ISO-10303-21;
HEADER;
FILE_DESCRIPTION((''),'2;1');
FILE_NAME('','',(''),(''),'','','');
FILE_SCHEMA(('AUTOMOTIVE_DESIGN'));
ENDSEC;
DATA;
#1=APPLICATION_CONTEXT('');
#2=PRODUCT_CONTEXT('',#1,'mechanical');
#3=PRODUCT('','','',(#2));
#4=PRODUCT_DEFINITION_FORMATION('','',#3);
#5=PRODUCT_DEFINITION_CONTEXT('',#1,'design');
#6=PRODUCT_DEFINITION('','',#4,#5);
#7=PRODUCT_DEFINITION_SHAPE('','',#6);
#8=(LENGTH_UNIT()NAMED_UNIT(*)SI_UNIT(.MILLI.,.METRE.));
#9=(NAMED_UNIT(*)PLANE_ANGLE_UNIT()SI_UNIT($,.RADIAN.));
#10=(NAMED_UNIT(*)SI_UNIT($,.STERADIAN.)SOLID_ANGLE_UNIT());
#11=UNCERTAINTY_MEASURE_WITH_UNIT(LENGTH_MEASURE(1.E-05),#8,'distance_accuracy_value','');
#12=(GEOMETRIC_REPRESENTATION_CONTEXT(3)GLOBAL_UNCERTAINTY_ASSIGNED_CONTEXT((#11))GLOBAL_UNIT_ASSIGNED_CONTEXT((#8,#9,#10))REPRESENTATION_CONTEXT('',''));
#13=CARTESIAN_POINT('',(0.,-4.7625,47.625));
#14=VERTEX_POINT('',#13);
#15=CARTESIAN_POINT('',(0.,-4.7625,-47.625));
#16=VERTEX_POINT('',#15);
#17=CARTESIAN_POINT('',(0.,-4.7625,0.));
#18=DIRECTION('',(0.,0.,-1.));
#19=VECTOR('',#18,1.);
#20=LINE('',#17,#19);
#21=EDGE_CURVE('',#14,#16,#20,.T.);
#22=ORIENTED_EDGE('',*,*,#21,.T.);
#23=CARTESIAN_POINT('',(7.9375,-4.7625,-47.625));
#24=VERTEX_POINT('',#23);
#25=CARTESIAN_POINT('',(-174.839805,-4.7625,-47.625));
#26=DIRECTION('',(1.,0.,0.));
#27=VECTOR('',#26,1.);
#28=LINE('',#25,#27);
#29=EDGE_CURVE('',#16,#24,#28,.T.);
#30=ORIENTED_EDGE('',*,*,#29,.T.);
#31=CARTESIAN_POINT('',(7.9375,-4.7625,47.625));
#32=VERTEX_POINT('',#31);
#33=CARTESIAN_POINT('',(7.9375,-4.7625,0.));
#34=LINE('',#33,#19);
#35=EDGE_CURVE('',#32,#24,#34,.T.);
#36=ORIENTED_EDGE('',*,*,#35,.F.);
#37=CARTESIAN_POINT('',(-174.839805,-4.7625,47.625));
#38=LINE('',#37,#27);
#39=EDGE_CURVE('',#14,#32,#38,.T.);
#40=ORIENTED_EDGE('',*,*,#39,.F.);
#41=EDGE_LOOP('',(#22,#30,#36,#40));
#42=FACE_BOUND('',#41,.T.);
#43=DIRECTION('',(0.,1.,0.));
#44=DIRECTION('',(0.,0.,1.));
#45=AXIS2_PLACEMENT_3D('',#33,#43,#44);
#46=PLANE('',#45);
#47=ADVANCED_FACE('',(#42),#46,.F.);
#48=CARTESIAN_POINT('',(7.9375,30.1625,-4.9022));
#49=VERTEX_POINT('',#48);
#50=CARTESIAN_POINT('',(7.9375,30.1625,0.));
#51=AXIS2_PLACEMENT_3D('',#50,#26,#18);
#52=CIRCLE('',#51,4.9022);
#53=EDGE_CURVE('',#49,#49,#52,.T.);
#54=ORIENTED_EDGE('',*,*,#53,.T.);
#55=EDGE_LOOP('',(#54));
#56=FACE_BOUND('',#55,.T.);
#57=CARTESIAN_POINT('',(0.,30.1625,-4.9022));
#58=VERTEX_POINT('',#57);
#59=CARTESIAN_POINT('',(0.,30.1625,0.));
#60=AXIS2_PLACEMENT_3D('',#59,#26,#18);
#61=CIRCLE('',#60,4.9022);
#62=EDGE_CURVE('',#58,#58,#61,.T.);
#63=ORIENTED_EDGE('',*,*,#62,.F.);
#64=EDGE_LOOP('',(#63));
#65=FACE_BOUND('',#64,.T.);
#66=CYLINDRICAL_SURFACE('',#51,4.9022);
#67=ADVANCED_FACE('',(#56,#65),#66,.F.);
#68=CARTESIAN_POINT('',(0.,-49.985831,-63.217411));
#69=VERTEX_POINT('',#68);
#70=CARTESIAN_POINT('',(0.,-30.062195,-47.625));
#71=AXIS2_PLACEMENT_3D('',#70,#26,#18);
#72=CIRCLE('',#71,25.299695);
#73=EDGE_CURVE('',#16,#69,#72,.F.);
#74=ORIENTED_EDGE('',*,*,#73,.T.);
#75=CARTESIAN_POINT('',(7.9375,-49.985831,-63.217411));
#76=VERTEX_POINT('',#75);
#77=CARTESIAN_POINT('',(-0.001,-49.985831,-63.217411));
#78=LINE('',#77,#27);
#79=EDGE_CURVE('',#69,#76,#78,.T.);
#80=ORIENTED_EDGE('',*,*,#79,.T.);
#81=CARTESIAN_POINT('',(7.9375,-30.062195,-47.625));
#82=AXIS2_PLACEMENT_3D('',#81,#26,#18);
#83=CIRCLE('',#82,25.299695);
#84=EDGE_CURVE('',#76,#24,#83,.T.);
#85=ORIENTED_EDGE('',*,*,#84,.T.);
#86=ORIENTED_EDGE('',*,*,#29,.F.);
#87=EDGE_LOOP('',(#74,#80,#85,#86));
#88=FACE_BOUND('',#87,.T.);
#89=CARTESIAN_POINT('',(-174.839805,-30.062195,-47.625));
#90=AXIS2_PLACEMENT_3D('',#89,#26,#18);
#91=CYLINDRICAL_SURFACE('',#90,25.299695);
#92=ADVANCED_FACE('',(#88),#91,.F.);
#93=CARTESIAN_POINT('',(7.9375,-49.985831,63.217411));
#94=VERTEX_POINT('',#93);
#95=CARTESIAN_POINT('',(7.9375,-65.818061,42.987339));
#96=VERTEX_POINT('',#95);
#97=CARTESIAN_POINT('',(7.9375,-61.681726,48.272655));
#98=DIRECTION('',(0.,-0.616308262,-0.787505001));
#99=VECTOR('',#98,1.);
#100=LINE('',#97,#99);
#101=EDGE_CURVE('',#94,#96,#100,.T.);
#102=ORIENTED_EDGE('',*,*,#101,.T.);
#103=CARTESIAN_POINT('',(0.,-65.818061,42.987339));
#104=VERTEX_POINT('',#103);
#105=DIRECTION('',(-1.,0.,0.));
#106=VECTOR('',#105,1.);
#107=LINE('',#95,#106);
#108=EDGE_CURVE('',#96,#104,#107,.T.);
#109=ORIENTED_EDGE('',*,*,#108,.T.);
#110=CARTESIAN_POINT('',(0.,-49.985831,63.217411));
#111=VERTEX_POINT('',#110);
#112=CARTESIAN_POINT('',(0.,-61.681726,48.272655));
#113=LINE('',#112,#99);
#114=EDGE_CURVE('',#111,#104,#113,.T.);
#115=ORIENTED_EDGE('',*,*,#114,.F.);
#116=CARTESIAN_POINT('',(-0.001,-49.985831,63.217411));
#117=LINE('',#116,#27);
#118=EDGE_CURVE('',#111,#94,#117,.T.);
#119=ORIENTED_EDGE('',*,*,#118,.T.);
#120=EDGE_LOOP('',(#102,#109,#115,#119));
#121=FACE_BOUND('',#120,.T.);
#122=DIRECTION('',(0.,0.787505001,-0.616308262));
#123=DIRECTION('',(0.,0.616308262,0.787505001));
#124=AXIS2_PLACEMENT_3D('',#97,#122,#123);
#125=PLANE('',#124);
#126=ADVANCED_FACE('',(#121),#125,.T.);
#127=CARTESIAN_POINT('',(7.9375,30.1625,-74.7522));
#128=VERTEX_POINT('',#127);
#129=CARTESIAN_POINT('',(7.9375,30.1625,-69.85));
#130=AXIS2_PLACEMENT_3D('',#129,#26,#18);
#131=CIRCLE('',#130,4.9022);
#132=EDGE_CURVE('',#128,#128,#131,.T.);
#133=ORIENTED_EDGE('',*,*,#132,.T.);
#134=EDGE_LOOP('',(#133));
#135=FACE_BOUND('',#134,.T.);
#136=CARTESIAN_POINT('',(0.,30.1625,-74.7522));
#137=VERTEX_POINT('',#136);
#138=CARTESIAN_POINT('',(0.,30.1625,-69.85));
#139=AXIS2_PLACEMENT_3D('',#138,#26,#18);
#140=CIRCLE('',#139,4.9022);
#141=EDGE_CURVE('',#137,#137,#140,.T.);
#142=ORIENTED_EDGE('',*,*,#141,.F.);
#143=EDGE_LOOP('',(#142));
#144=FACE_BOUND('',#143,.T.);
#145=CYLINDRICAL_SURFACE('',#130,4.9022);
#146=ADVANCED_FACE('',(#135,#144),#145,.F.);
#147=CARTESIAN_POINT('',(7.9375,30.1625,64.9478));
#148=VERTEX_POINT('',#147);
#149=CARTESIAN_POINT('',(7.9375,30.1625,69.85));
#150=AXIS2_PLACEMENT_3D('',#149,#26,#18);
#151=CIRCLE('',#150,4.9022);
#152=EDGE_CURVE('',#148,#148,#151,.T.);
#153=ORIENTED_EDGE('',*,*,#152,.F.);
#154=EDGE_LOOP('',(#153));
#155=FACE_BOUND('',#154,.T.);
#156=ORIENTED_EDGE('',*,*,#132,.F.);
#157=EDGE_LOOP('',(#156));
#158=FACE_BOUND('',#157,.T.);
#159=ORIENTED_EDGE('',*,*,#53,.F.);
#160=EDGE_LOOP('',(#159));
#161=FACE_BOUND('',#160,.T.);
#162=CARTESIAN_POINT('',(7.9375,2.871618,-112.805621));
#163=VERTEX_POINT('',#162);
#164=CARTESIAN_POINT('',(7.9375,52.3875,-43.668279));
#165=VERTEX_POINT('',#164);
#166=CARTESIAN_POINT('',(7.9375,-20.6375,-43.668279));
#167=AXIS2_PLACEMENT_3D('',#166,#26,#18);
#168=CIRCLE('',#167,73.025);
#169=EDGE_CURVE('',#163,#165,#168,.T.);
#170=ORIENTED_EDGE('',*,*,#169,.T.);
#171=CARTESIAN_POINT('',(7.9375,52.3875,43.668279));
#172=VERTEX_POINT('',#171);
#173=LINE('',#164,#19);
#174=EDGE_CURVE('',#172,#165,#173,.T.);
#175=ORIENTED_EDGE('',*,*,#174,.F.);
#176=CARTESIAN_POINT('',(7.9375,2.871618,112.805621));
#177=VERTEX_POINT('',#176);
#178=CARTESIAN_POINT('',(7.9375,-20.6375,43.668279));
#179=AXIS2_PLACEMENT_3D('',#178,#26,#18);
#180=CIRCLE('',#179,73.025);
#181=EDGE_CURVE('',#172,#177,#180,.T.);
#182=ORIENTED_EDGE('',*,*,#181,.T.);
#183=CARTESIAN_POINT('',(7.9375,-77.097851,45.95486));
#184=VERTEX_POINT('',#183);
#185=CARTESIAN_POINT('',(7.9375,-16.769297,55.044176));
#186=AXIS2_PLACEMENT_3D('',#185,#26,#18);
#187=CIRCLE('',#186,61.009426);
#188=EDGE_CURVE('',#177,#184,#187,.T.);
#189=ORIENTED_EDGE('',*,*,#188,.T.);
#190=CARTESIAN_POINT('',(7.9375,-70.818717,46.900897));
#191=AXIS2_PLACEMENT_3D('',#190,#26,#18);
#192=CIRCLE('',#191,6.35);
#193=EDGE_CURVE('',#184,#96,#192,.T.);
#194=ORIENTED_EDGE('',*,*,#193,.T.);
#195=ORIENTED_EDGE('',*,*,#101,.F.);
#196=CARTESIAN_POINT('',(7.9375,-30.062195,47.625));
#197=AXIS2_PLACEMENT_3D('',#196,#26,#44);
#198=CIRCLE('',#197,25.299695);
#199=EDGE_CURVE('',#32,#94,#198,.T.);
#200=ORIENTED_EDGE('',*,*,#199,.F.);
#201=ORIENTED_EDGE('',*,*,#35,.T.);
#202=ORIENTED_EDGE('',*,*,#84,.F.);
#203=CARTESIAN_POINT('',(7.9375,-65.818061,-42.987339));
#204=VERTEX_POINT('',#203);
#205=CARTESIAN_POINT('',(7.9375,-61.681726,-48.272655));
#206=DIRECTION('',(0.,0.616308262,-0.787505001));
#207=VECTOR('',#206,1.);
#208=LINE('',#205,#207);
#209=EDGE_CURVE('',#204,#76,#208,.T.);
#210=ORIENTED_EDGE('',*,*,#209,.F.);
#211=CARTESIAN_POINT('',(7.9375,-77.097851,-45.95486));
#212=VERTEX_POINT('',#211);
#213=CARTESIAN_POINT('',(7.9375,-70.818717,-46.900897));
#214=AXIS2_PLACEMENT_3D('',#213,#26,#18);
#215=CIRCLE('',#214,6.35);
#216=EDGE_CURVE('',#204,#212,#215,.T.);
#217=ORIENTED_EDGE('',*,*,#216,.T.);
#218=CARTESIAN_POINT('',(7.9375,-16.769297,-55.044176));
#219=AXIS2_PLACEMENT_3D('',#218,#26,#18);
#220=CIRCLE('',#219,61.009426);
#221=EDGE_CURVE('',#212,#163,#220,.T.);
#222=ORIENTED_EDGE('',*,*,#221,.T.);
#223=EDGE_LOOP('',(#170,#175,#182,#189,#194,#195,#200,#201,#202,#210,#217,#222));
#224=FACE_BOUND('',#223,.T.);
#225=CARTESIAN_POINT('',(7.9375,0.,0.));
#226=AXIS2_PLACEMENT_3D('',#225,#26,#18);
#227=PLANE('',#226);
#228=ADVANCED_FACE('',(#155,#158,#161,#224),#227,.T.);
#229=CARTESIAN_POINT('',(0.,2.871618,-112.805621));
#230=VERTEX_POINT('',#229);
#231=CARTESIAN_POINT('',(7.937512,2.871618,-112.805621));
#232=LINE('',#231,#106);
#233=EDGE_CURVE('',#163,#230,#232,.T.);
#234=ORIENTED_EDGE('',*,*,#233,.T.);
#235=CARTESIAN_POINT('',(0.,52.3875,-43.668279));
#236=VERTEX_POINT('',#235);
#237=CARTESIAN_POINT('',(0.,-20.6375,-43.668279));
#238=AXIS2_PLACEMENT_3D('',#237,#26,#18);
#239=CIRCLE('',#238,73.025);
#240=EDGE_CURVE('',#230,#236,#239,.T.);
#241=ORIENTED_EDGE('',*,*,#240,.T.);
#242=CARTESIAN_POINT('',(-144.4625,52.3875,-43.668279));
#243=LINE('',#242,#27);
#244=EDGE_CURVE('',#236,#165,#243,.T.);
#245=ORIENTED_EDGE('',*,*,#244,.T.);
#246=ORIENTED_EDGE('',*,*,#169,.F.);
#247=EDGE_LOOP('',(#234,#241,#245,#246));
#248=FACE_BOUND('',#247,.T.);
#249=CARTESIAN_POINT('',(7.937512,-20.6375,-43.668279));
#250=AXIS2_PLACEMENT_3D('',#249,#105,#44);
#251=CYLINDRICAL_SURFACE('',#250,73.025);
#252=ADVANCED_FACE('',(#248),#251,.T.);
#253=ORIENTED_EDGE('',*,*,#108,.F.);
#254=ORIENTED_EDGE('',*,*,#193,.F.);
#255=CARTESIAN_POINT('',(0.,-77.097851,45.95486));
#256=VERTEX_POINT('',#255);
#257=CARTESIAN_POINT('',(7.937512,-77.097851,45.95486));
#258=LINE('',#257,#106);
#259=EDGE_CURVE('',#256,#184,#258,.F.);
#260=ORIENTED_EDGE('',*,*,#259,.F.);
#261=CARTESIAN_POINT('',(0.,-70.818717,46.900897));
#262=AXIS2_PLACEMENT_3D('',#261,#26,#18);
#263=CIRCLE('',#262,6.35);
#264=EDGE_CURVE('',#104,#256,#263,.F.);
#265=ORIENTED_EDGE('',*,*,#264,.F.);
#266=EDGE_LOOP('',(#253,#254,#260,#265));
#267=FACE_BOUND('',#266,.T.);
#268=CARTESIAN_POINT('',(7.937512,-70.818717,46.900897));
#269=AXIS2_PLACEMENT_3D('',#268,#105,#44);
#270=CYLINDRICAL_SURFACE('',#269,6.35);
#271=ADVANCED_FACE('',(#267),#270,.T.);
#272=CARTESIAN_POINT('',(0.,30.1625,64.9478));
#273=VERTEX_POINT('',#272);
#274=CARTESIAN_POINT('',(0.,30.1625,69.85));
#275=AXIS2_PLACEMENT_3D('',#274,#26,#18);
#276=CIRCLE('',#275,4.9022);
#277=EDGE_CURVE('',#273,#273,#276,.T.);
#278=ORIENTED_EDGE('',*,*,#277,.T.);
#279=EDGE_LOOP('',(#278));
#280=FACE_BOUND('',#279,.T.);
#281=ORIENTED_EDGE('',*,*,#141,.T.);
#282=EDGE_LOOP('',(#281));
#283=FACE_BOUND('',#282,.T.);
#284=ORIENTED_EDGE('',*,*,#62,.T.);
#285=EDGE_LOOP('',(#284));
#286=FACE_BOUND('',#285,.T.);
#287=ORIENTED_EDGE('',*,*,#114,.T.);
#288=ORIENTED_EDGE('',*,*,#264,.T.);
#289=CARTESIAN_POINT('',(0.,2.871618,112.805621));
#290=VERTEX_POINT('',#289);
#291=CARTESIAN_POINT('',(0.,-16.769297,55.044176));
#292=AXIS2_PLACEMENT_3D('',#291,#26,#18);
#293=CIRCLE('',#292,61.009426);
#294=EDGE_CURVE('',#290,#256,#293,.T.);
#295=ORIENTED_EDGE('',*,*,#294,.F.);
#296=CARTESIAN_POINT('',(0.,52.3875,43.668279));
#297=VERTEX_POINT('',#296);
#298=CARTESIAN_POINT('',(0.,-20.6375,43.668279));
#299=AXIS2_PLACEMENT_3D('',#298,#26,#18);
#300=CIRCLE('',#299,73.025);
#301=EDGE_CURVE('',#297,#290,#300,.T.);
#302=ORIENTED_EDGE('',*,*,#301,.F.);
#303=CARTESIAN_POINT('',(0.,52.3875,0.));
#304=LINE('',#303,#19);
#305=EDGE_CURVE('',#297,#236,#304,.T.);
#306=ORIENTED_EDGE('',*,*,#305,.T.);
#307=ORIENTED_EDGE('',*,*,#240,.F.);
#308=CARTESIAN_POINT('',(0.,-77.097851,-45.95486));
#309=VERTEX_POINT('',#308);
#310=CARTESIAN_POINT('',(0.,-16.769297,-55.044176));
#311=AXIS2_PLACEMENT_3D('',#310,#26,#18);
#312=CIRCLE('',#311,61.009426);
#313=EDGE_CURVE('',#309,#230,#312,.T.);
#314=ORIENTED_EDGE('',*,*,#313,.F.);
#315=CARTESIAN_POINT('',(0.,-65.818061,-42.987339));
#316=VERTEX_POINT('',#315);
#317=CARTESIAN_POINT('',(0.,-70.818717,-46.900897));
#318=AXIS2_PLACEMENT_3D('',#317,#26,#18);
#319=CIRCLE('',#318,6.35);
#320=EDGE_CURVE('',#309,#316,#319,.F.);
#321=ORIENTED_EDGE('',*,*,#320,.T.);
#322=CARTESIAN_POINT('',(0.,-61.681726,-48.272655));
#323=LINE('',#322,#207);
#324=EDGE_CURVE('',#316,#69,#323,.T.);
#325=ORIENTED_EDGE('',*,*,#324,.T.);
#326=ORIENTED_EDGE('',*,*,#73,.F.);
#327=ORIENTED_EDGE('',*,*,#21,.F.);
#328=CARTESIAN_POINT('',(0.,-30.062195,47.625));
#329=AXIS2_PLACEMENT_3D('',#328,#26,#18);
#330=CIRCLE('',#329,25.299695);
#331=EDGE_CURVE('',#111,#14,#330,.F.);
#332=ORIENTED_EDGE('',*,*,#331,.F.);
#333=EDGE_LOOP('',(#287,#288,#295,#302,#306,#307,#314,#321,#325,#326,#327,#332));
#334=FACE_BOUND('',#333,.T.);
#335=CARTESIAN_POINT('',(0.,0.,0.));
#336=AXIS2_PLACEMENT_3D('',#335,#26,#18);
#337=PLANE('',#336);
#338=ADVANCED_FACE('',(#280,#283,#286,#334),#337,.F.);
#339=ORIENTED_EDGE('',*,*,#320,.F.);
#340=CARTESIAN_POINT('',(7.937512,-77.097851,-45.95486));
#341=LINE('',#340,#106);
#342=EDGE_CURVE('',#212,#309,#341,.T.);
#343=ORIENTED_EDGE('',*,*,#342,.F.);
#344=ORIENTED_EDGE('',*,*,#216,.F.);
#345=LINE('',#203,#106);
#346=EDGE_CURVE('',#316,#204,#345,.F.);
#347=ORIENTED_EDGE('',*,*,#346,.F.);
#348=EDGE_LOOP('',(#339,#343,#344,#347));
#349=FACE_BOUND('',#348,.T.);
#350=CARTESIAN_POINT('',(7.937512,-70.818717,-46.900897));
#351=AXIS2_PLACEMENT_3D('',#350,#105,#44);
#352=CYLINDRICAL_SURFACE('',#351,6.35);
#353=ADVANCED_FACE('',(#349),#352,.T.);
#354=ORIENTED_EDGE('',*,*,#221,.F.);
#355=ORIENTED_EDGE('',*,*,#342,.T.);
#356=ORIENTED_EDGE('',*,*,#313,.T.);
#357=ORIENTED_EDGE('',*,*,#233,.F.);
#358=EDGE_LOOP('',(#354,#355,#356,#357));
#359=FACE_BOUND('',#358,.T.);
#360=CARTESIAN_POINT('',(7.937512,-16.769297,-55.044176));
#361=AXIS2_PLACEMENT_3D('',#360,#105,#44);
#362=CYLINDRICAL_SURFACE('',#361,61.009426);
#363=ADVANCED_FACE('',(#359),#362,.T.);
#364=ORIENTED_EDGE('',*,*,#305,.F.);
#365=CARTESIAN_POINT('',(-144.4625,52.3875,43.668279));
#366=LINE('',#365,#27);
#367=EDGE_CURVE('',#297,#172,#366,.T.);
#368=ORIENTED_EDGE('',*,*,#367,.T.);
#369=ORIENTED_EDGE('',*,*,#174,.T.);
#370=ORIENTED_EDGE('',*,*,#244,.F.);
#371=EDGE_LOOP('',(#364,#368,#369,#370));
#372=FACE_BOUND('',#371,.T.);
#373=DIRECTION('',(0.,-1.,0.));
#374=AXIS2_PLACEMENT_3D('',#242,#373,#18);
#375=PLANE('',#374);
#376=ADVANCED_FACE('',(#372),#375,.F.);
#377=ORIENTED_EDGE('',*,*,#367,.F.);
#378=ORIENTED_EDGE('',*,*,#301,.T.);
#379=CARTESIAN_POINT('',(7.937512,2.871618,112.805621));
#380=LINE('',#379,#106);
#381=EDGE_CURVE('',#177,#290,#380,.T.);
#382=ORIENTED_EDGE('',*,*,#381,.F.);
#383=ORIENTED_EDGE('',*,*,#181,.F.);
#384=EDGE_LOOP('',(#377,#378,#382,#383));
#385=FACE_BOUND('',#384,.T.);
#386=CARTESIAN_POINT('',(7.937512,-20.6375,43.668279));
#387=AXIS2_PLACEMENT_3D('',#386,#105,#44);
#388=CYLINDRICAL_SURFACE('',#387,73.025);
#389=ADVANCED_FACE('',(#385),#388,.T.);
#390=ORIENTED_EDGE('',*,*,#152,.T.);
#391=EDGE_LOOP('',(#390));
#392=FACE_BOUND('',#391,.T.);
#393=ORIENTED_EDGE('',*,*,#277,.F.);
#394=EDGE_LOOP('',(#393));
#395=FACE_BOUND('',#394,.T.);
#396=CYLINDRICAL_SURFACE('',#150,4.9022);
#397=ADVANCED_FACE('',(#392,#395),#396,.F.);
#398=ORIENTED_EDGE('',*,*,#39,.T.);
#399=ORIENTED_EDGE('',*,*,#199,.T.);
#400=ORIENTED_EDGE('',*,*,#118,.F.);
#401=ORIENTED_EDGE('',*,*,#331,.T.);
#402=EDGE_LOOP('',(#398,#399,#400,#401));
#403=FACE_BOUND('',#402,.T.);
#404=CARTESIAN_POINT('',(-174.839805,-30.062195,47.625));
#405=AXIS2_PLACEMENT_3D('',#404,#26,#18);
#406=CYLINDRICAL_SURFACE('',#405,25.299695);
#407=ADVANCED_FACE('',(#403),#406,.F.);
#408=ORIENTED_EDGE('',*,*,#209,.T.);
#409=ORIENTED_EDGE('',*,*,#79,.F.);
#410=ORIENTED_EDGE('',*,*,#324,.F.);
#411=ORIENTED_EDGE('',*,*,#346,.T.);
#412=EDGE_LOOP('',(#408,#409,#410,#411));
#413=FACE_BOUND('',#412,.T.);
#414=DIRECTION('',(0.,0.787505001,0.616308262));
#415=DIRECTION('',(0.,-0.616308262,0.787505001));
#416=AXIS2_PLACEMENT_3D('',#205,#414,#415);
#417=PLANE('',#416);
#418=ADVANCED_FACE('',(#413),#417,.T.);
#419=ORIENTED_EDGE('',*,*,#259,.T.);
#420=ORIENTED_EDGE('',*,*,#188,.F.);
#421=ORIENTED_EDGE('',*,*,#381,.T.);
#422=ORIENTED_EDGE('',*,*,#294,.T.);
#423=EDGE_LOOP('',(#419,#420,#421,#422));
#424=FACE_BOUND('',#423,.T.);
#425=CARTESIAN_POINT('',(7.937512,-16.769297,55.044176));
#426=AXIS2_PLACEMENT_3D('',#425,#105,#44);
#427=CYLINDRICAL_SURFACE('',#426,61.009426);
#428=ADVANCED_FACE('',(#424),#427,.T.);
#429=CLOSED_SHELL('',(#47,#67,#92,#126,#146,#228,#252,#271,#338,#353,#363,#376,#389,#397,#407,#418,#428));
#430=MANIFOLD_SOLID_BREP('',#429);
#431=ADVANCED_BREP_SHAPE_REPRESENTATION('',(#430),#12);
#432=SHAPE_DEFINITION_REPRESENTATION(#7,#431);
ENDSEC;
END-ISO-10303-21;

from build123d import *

# Parameters (mm, degrees)
BOSS_EXTRUDE1_DEPTH          = 7.9375
FILLET1_R                    = 25.4
FILLET2_R                    = 16.51
F_3_8_CLEARANCE_HOLE1_D      = 9.8044
EXTRUDE_THIN1_DEPTH          = 7.9375
CUT_EXTRUDE_THIN2_START      = -7.9375
CUT_EXTRUDE_THIN2_DEPTH      = 7.9375
CUT_EXTRUDE_THIN1_DEPTH      = 171.11453265
CUT_EXTRUDE_THIN1_DEPTH_BACK = 152.4
FILLET4_R                    = 6.35


with BuildPart() as part:
    # Sketch1 → Boss-Extrude1 (new body)
    with BuildSketch(Plane(origin=(0, 0, 0), x_dir=(0, 0, -1), z_dir=(1, 0, 0))):
        with BuildLine():
            Line((34.925, -84.1375), (63.5, -84.1375))
            ThreePointArc((63.5, -84.1375), (147.6375, 0), (63.5, 84.1375))
            Line((63.5, 84.1375), (-63.5, 84.1375))
            ThreePointArc((-63.5, 84.1375), (-147.6375, 0), (-63.5, -84.1375))
            Line((-63.5, -84.1375), (-34.925, -84.1375))
            Line((-34.925, -84.1375), (-31.75, -74.6125))
            Line((-31.75, -74.6125), (-68.2625, -46.0375))
            Line((-68.2625, -46.0375), (-68.2625, -4.7625))
            Line((-68.2625, -4.7625), (68.2625, -4.7625))
            Line((68.2625, -4.7625), (68.2625, -46.0375))
            Line((68.2625, -46.0375), (31.75, -74.6125))
            Line((31.75, -74.6125), (34.925, -84.1375))
        make_face()
    extrude(amount=BOSS_EXTRUDE1_DEPTH)

    # Fillet1
    fillet1_edges = [part.edges().sort_by_distance(p)[0] for p in [
        (3.96875, -46.0375, -68.2625),
        (3.96875, -46.0375, 68.2625),
    ]]
    fillet(fillet1_edges, radius=FILLET1_R)

    # Fillet2
    fillet2_edges = [part.edges().sort_by_distance(p)[0] for p in [
        (3.96875, -4.7625, -68.2625),
        (3.96875, -4.7625, 68.2625),
    ]]
    fillet(fillet2_edges, radius=FILLET2_R)

    # 3/8 Clearance Hole1 (through all)
    with Locations(Plane(origin=(7.9375, 30.1625, 69.85), x_dir=(0, 0, 1), z_dir=(1, 0, 0))):
        with Locations((0, 0), (-69.85, 0), (-139.7, 0)):
            Hole(F_3_8_CLEARANCE_HOLE1_D / 2)

    # Sketch9 → Extrude-Thin1 (add)
    with BuildSketch(Plane(origin=(7.9375, 0, 0), x_dir=(0, 0, -1), z_dir=(1, 0, 0))):
        with BuildLine():
            Line((-31.75, -74.6125), (-63.217410815, -49.985830667))
            ThreePointArc((-63.217410815, -49.985830667), (-71.54294782, -21.815600163), (-47.625, -4.7625))
            Line((-47.625, -4.7625), (47.625, -4.7625))
            ThreePointArc((47.625, -4.7625), (71.54294782, -21.815600163), (63.217410815, -49.985830667))
            Line((63.217410815, -49.985830667), (31.75, -74.6125))
            Line((31.75, -74.6125), (34.880845969, -78.613025405))
            Line((34.880845969, -78.613025405), (66.348256784, -53.986356072))
            ThreePointArc((66.348256784, -53.986356072), (76.34550282, -20.159742237), (47.625, 0.3175))
            Line((47.625, 0.3175), (-47.625, 0.3175))
            ThreePointArc((-47.625, 0.3175), (-76.34550282, -20.159742237), (-66.348256784, -53.986356072))
            Line((-66.348256784, -53.986356072), (-34.880845969, -78.613025405))
            Line((-34.880845969, -78.613025405), (-31.75, -74.6125))
        make_face()
    extrude(amount=-EXTRUDE_THIN1_DEPTH)

    # Sketch9<2> → Cut-Extrude-Thin2 (cut)
    with BuildSketch(Plane(origin=(7.9375, 0, 0), x_dir=(0, 0, -1), z_dir=(1, 0, 0)).offset(CUT_EXTRUDE_THIN2_START)):
        with BuildLine():
            Line((-31.75, -74.6125), (-63.217410815, -49.985830667))
            ThreePointArc((-63.217410815, -49.985830667), (-71.54294782, -21.815600163), (-47.625, -4.7625))
            Line((-47.625, -4.7625), (47.625, -4.7625))
            ThreePointArc((47.625, -4.7625), (71.54294782, -21.815600163), (63.217410815, -49.985830667))
            Line((63.217410815, -49.985830667), (31.75, -74.6125))
            Line((31.75, -74.6125), (27.053731046, -68.611711892))
            Line((27.053731046, -68.611711892), (58.521141861, -43.985042559))
            ThreePointArc((58.521141861, -43.985042559), (64.339115319, -24.299387052), (47.625, -12.3825))
            Line((47.625, -12.3825), (-47.625, -12.3825))
            ThreePointArc((-47.625, -12.3825), (-64.339115319, -24.299387052), (-58.521141861, -43.985042559))
            Line((-58.521141861, -43.985042559), (-27.053731046, -68.611711892))
            Line((-27.053731046, -68.611711892), (-31.75, -74.6125))
        make_face()
    extrude(amount=CUT_EXTRUDE_THIN2_DEPTH, mode=Mode.SUBTRACT)

    # Sketch7 → Cut-Extrude-Thin1 (cut, two sides: drawn at the far end of the back side and taken through both)
    with BuildSketch(Plane(origin=(7.9375, 0, 0), x_dir=(0, 0, -1), z_dir=(1, 0, 0)).offset(-CUT_EXTRUDE_THIN1_DEPTH_BACK)):
        with BuildLine():
            Line((31.75, -74.6125), (44.45, -76.851852655))
            ThreePointArc((44.45, -76.851852655), (101.359893984, -56.480810426), (112.805620908, 2.871617747))
            ThreePointArc((112.805620908, 2.871617747), (86.188258708, 38.731700552), (43.668279277, 52.3875))
            Line((43.668279277, 52.3875), (-43.668279277, 52.3875))
            ThreePointArc((-43.668279277, 52.3875), (-86.188258708, 38.731700552), (-112.805620908, 2.871617747))
            ThreePointArc((-112.805620908, 2.871617747), (-101.359893984, -56.480810426), (-44.45, -76.851852655))
            Line((-44.45, -76.851852655), (-31.75, -74.6125))
            Line((-31.75, -74.6125), (-23.810805317, -119.637910468))
            Line((-23.810805317, -119.637910468), (-36.510805317, -121.877263123))
            ThreePointArc((-36.510805317, -121.877263123), (-136.068541071, -86.240316762), (-156.091608712, 17.590369727))
            ThreePointArc((-156.091608712, 17.590369727), (-112.809463221, 75.901982637), (-43.668279277, 98.1075))
            Line((-43.668279277, 98.1075), (43.668279277, 98.1075))
            ThreePointArc((43.668279277, 98.1075), (112.809463221, 75.901982637), (156.091608712, 17.590369727))
            ThreePointArc((156.091608712, 17.590369727), (136.068541071, -86.240316762), (36.510805317, -121.877263123))
            Line((36.510805317, -121.877263123), (23.810805317, -119.637910468))
            Line((23.810805317, -119.637910468), (31.75, -74.6125))
        make_face()
    extrude(amount=CUT_EXTRUDE_THIN1_DEPTH + CUT_EXTRUDE_THIN1_DEPTH_BACK, mode=Mode.SUBTRACT)

    # Fillet4
    fillet4_edges = [part.edges().sort_by_distance(p)[0] for p in [
        (3.96875, -74.6125, 31.75),
        (3.96875, -74.6125, -31.75),
    ]]
    fillet(fillet4_edges, radius=FILLET4_R)


solid = part.part
